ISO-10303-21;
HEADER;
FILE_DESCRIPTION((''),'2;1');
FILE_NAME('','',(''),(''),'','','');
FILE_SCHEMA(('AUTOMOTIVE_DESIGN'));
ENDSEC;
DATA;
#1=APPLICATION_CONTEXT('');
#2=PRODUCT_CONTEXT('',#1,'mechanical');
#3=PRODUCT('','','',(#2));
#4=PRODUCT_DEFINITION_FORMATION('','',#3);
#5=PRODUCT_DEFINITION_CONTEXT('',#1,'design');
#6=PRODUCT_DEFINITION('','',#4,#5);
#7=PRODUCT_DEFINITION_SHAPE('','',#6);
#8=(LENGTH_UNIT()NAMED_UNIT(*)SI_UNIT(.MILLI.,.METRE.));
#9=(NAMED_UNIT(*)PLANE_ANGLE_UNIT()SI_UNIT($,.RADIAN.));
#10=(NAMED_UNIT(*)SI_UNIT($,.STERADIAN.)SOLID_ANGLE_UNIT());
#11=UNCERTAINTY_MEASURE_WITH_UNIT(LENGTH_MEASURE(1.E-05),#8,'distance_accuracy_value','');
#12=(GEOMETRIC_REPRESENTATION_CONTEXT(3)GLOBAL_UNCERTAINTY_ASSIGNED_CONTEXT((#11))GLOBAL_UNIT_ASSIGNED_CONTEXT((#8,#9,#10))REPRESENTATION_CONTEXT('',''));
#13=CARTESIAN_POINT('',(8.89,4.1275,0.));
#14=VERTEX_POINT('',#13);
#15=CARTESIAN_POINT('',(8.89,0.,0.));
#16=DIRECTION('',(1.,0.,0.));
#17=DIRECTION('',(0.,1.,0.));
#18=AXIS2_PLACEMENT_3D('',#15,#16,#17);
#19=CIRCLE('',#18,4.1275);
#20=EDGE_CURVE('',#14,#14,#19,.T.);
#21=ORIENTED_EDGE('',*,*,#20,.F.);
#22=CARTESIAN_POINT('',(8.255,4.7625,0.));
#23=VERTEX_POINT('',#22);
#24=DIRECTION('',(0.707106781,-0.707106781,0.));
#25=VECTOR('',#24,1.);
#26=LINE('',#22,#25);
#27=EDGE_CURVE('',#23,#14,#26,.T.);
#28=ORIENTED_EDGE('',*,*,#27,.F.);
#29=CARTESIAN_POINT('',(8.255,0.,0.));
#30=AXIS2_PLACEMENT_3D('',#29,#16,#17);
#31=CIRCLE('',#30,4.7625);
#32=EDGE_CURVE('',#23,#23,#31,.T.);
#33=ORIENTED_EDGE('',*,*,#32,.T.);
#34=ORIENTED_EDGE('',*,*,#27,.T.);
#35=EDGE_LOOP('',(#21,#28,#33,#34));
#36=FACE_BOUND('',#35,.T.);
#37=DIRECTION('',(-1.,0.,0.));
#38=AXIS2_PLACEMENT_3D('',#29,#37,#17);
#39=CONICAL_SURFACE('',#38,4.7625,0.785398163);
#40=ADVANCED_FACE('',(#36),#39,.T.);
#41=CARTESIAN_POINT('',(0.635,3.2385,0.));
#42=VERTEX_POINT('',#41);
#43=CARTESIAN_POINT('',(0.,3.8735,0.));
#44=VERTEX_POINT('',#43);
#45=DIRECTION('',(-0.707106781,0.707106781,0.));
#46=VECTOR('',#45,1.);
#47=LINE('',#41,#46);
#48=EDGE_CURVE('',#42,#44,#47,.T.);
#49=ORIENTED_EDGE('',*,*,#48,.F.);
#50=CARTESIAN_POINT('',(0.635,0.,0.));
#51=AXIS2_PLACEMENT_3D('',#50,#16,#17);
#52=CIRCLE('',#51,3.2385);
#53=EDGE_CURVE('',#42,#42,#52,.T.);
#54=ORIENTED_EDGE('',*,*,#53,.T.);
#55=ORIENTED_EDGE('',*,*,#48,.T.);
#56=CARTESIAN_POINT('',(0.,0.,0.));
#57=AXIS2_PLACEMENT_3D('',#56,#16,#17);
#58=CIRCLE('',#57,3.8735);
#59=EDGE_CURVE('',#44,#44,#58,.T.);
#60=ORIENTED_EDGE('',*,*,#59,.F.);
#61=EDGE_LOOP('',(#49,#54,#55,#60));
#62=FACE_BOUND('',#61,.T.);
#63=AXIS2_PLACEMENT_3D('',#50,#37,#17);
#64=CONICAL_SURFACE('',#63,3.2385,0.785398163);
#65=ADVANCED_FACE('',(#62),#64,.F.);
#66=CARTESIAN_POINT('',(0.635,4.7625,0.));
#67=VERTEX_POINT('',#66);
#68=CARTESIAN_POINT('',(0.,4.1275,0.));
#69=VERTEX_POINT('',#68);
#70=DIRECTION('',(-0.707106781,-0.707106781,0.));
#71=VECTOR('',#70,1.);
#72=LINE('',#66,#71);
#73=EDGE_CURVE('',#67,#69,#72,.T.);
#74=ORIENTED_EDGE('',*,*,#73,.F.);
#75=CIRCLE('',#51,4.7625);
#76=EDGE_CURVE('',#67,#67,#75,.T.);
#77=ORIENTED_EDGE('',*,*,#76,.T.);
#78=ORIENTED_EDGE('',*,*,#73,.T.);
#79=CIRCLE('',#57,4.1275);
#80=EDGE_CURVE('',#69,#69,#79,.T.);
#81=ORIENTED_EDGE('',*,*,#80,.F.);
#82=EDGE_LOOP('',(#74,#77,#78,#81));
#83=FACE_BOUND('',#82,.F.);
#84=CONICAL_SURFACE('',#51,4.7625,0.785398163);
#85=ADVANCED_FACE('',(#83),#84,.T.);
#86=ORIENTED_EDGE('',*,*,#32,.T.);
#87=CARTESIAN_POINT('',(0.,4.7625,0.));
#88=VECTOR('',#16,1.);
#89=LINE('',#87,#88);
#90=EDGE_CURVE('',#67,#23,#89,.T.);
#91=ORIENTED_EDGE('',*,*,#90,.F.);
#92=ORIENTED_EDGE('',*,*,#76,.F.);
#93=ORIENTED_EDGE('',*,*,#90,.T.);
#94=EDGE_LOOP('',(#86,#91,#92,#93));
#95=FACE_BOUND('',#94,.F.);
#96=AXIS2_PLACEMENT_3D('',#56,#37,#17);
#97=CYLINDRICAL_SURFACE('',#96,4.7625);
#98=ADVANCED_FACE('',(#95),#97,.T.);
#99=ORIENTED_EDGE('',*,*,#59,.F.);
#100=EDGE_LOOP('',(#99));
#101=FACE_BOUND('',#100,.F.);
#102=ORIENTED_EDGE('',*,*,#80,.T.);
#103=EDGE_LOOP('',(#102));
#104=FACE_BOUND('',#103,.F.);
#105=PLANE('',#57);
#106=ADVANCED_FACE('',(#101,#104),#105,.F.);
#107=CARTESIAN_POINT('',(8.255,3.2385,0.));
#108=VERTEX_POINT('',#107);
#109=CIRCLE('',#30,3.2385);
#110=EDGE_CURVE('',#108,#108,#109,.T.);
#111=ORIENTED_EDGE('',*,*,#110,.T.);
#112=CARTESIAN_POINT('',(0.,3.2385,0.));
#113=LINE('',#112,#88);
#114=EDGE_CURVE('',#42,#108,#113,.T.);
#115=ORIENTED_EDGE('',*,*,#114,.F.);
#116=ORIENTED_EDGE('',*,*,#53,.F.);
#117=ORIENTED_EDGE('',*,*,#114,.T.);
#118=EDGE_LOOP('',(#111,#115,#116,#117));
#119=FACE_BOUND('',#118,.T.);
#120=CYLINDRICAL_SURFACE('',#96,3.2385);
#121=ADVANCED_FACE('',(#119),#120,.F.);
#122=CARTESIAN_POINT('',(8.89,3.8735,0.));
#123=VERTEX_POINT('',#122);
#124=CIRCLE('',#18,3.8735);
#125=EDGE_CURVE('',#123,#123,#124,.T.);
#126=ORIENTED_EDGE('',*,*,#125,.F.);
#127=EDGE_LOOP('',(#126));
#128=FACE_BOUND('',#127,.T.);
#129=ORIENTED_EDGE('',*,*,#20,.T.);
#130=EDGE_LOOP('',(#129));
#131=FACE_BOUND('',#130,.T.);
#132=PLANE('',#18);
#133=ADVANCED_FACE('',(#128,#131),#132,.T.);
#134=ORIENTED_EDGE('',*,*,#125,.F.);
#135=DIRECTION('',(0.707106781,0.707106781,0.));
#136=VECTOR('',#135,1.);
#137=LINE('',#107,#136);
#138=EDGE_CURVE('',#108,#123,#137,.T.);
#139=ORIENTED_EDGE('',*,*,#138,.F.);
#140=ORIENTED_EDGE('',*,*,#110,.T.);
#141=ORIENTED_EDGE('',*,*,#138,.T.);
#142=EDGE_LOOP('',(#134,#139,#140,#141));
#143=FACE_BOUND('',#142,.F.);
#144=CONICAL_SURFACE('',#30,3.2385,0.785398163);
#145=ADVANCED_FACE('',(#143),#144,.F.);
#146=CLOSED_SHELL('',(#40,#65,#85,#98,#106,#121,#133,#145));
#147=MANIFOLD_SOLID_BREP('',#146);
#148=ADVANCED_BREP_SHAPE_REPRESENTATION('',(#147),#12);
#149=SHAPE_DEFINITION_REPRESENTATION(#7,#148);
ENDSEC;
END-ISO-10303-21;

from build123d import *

# Parameters (mm, degrees)
F0_R     = 4.7625
F0_R_2   = 3.2385
F1_DEPTH = 8.89
F2_SIZE  = 0.635


with BuildPart() as f1:
    # F0 (on Right) → F1 (new body)
    with BuildSketch(Plane.YZ):
        Circle(F0_R)
        Circle(F0_R_2, mode=Mode.SUBTRACT)
    extrude(amount=F1_DEPTH)

    # F2
    f2_edges = [f1.edges().sort_by_distance(p)[0] for p in [
        (8.89, -3.2385, 0),
        (8.89, -4.7625, 0),
        (0, -3.2385, 0),
        (0, -4.7625, 0),
    ]]
    chamfer(f2_edges, length=F2_SIZE)


solid = f1.part
